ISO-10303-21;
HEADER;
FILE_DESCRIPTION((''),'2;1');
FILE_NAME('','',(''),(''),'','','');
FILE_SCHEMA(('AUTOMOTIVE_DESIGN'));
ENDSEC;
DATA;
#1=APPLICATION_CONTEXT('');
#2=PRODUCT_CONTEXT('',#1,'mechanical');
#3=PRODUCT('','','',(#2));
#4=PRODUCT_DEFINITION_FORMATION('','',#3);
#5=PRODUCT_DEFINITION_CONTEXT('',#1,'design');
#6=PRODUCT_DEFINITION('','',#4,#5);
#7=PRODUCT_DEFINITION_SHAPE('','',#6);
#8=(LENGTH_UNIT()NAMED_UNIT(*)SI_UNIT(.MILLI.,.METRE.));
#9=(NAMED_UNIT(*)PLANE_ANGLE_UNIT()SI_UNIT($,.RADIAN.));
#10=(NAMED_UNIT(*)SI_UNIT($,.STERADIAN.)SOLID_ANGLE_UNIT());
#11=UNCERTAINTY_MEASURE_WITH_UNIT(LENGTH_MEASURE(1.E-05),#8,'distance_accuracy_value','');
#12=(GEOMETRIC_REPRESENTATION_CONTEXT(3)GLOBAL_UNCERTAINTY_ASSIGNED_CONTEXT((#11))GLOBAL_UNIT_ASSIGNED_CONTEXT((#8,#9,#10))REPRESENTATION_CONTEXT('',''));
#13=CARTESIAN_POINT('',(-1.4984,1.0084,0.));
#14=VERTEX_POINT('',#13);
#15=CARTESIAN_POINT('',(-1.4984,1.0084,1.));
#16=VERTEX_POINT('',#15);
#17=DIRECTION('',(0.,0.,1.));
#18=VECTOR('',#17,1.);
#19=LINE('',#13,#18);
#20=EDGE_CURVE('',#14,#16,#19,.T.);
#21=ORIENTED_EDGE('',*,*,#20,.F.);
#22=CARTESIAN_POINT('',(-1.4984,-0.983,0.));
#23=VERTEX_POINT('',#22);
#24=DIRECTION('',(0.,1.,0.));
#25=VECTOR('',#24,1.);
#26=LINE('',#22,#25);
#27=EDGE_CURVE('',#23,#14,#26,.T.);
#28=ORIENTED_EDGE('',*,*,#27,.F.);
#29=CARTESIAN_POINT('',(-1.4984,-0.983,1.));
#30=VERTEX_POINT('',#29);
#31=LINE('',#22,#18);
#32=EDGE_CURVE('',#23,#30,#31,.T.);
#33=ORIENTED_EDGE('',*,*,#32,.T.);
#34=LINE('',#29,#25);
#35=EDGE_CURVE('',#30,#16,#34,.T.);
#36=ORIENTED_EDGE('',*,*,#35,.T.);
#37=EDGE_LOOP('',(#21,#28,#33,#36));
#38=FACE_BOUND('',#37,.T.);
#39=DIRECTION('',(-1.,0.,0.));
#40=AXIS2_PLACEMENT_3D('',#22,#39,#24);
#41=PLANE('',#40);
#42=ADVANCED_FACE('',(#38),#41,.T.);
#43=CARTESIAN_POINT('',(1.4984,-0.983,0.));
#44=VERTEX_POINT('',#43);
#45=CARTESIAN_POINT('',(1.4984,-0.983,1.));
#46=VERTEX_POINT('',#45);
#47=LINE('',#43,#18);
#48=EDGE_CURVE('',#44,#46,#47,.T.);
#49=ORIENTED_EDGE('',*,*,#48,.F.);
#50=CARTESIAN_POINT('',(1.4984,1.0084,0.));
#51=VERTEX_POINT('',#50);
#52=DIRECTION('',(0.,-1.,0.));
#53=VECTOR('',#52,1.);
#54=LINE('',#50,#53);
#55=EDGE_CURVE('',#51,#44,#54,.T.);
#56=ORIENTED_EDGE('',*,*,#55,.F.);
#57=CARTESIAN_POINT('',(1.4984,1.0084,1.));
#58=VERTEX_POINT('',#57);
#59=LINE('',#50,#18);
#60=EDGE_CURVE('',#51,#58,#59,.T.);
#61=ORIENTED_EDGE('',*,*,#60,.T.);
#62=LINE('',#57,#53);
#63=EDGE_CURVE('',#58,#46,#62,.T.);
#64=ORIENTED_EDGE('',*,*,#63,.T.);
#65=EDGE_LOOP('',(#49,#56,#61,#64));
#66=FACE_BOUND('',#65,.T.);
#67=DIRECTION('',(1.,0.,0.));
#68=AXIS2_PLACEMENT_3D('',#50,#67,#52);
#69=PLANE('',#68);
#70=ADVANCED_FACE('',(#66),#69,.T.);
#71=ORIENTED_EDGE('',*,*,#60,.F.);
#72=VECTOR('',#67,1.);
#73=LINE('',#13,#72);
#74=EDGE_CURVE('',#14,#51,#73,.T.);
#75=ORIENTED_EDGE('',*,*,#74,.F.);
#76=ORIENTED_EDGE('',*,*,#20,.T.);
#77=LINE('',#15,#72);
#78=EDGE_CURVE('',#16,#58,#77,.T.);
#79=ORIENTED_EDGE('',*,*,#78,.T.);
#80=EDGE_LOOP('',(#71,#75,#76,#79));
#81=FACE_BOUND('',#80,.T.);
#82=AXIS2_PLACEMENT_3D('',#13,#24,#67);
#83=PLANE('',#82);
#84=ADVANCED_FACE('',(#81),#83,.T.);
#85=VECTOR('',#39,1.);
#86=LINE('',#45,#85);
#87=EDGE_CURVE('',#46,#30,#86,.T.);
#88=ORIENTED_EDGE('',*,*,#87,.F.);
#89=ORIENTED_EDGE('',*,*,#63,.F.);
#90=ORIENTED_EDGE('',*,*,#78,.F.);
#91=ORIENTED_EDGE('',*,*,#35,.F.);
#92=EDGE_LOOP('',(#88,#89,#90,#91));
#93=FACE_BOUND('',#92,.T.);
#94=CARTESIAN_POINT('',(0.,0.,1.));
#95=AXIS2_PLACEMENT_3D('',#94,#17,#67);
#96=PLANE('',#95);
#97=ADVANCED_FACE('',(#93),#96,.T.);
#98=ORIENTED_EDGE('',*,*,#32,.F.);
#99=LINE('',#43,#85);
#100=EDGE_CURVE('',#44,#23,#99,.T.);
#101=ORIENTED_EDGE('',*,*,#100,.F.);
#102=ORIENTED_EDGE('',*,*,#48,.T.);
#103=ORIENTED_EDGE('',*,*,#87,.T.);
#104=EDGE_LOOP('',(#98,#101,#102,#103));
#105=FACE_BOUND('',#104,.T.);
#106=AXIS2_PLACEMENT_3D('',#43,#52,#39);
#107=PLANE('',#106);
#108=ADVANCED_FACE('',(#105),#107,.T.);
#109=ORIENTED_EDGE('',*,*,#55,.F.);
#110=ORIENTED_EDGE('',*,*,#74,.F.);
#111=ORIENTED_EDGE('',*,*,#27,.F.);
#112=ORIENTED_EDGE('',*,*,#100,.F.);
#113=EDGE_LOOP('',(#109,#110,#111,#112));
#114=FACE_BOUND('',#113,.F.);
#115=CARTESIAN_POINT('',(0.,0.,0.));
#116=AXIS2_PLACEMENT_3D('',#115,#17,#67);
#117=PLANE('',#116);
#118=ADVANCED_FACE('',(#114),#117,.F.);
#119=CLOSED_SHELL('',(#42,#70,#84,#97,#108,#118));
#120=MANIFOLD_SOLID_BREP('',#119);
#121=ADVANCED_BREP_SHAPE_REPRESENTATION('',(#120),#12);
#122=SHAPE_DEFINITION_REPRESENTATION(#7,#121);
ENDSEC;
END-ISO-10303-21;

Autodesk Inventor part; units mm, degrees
ref_plane "YZ Plane" through (0, 0, 0) normal (1, 0, 0) x (0, 1, 0)
ref_plane "XZ Plane" through (0, 0, 0) normal (0, 1, 0) x (-1, 0, 0)
ref_plane "XY Plane" through (0, 0, 0) normal (0, 0, 1) x (1, 0, 0)
sketch "0603-RES, 4_7K_47" plane through (0, 0, 0) normal (0, 0, 1) x (1, 0, 0)
  line L0 (-1.4984, 1.0084) -> (1.4984, 1.0084)
  line L1 (1.4984, 1.0084) -> (1.4984, -0.983)
  line L2 (1.4984, -0.983) -> (-1.4984, -0.983)
  line L3 (-1.4984, -0.983) -> (-1.4984, 1.0084)
extrude "Extrusion1" add sketch "0603-RES, 4_7K_47" along normal blind 1
properties part number "4_7K"
